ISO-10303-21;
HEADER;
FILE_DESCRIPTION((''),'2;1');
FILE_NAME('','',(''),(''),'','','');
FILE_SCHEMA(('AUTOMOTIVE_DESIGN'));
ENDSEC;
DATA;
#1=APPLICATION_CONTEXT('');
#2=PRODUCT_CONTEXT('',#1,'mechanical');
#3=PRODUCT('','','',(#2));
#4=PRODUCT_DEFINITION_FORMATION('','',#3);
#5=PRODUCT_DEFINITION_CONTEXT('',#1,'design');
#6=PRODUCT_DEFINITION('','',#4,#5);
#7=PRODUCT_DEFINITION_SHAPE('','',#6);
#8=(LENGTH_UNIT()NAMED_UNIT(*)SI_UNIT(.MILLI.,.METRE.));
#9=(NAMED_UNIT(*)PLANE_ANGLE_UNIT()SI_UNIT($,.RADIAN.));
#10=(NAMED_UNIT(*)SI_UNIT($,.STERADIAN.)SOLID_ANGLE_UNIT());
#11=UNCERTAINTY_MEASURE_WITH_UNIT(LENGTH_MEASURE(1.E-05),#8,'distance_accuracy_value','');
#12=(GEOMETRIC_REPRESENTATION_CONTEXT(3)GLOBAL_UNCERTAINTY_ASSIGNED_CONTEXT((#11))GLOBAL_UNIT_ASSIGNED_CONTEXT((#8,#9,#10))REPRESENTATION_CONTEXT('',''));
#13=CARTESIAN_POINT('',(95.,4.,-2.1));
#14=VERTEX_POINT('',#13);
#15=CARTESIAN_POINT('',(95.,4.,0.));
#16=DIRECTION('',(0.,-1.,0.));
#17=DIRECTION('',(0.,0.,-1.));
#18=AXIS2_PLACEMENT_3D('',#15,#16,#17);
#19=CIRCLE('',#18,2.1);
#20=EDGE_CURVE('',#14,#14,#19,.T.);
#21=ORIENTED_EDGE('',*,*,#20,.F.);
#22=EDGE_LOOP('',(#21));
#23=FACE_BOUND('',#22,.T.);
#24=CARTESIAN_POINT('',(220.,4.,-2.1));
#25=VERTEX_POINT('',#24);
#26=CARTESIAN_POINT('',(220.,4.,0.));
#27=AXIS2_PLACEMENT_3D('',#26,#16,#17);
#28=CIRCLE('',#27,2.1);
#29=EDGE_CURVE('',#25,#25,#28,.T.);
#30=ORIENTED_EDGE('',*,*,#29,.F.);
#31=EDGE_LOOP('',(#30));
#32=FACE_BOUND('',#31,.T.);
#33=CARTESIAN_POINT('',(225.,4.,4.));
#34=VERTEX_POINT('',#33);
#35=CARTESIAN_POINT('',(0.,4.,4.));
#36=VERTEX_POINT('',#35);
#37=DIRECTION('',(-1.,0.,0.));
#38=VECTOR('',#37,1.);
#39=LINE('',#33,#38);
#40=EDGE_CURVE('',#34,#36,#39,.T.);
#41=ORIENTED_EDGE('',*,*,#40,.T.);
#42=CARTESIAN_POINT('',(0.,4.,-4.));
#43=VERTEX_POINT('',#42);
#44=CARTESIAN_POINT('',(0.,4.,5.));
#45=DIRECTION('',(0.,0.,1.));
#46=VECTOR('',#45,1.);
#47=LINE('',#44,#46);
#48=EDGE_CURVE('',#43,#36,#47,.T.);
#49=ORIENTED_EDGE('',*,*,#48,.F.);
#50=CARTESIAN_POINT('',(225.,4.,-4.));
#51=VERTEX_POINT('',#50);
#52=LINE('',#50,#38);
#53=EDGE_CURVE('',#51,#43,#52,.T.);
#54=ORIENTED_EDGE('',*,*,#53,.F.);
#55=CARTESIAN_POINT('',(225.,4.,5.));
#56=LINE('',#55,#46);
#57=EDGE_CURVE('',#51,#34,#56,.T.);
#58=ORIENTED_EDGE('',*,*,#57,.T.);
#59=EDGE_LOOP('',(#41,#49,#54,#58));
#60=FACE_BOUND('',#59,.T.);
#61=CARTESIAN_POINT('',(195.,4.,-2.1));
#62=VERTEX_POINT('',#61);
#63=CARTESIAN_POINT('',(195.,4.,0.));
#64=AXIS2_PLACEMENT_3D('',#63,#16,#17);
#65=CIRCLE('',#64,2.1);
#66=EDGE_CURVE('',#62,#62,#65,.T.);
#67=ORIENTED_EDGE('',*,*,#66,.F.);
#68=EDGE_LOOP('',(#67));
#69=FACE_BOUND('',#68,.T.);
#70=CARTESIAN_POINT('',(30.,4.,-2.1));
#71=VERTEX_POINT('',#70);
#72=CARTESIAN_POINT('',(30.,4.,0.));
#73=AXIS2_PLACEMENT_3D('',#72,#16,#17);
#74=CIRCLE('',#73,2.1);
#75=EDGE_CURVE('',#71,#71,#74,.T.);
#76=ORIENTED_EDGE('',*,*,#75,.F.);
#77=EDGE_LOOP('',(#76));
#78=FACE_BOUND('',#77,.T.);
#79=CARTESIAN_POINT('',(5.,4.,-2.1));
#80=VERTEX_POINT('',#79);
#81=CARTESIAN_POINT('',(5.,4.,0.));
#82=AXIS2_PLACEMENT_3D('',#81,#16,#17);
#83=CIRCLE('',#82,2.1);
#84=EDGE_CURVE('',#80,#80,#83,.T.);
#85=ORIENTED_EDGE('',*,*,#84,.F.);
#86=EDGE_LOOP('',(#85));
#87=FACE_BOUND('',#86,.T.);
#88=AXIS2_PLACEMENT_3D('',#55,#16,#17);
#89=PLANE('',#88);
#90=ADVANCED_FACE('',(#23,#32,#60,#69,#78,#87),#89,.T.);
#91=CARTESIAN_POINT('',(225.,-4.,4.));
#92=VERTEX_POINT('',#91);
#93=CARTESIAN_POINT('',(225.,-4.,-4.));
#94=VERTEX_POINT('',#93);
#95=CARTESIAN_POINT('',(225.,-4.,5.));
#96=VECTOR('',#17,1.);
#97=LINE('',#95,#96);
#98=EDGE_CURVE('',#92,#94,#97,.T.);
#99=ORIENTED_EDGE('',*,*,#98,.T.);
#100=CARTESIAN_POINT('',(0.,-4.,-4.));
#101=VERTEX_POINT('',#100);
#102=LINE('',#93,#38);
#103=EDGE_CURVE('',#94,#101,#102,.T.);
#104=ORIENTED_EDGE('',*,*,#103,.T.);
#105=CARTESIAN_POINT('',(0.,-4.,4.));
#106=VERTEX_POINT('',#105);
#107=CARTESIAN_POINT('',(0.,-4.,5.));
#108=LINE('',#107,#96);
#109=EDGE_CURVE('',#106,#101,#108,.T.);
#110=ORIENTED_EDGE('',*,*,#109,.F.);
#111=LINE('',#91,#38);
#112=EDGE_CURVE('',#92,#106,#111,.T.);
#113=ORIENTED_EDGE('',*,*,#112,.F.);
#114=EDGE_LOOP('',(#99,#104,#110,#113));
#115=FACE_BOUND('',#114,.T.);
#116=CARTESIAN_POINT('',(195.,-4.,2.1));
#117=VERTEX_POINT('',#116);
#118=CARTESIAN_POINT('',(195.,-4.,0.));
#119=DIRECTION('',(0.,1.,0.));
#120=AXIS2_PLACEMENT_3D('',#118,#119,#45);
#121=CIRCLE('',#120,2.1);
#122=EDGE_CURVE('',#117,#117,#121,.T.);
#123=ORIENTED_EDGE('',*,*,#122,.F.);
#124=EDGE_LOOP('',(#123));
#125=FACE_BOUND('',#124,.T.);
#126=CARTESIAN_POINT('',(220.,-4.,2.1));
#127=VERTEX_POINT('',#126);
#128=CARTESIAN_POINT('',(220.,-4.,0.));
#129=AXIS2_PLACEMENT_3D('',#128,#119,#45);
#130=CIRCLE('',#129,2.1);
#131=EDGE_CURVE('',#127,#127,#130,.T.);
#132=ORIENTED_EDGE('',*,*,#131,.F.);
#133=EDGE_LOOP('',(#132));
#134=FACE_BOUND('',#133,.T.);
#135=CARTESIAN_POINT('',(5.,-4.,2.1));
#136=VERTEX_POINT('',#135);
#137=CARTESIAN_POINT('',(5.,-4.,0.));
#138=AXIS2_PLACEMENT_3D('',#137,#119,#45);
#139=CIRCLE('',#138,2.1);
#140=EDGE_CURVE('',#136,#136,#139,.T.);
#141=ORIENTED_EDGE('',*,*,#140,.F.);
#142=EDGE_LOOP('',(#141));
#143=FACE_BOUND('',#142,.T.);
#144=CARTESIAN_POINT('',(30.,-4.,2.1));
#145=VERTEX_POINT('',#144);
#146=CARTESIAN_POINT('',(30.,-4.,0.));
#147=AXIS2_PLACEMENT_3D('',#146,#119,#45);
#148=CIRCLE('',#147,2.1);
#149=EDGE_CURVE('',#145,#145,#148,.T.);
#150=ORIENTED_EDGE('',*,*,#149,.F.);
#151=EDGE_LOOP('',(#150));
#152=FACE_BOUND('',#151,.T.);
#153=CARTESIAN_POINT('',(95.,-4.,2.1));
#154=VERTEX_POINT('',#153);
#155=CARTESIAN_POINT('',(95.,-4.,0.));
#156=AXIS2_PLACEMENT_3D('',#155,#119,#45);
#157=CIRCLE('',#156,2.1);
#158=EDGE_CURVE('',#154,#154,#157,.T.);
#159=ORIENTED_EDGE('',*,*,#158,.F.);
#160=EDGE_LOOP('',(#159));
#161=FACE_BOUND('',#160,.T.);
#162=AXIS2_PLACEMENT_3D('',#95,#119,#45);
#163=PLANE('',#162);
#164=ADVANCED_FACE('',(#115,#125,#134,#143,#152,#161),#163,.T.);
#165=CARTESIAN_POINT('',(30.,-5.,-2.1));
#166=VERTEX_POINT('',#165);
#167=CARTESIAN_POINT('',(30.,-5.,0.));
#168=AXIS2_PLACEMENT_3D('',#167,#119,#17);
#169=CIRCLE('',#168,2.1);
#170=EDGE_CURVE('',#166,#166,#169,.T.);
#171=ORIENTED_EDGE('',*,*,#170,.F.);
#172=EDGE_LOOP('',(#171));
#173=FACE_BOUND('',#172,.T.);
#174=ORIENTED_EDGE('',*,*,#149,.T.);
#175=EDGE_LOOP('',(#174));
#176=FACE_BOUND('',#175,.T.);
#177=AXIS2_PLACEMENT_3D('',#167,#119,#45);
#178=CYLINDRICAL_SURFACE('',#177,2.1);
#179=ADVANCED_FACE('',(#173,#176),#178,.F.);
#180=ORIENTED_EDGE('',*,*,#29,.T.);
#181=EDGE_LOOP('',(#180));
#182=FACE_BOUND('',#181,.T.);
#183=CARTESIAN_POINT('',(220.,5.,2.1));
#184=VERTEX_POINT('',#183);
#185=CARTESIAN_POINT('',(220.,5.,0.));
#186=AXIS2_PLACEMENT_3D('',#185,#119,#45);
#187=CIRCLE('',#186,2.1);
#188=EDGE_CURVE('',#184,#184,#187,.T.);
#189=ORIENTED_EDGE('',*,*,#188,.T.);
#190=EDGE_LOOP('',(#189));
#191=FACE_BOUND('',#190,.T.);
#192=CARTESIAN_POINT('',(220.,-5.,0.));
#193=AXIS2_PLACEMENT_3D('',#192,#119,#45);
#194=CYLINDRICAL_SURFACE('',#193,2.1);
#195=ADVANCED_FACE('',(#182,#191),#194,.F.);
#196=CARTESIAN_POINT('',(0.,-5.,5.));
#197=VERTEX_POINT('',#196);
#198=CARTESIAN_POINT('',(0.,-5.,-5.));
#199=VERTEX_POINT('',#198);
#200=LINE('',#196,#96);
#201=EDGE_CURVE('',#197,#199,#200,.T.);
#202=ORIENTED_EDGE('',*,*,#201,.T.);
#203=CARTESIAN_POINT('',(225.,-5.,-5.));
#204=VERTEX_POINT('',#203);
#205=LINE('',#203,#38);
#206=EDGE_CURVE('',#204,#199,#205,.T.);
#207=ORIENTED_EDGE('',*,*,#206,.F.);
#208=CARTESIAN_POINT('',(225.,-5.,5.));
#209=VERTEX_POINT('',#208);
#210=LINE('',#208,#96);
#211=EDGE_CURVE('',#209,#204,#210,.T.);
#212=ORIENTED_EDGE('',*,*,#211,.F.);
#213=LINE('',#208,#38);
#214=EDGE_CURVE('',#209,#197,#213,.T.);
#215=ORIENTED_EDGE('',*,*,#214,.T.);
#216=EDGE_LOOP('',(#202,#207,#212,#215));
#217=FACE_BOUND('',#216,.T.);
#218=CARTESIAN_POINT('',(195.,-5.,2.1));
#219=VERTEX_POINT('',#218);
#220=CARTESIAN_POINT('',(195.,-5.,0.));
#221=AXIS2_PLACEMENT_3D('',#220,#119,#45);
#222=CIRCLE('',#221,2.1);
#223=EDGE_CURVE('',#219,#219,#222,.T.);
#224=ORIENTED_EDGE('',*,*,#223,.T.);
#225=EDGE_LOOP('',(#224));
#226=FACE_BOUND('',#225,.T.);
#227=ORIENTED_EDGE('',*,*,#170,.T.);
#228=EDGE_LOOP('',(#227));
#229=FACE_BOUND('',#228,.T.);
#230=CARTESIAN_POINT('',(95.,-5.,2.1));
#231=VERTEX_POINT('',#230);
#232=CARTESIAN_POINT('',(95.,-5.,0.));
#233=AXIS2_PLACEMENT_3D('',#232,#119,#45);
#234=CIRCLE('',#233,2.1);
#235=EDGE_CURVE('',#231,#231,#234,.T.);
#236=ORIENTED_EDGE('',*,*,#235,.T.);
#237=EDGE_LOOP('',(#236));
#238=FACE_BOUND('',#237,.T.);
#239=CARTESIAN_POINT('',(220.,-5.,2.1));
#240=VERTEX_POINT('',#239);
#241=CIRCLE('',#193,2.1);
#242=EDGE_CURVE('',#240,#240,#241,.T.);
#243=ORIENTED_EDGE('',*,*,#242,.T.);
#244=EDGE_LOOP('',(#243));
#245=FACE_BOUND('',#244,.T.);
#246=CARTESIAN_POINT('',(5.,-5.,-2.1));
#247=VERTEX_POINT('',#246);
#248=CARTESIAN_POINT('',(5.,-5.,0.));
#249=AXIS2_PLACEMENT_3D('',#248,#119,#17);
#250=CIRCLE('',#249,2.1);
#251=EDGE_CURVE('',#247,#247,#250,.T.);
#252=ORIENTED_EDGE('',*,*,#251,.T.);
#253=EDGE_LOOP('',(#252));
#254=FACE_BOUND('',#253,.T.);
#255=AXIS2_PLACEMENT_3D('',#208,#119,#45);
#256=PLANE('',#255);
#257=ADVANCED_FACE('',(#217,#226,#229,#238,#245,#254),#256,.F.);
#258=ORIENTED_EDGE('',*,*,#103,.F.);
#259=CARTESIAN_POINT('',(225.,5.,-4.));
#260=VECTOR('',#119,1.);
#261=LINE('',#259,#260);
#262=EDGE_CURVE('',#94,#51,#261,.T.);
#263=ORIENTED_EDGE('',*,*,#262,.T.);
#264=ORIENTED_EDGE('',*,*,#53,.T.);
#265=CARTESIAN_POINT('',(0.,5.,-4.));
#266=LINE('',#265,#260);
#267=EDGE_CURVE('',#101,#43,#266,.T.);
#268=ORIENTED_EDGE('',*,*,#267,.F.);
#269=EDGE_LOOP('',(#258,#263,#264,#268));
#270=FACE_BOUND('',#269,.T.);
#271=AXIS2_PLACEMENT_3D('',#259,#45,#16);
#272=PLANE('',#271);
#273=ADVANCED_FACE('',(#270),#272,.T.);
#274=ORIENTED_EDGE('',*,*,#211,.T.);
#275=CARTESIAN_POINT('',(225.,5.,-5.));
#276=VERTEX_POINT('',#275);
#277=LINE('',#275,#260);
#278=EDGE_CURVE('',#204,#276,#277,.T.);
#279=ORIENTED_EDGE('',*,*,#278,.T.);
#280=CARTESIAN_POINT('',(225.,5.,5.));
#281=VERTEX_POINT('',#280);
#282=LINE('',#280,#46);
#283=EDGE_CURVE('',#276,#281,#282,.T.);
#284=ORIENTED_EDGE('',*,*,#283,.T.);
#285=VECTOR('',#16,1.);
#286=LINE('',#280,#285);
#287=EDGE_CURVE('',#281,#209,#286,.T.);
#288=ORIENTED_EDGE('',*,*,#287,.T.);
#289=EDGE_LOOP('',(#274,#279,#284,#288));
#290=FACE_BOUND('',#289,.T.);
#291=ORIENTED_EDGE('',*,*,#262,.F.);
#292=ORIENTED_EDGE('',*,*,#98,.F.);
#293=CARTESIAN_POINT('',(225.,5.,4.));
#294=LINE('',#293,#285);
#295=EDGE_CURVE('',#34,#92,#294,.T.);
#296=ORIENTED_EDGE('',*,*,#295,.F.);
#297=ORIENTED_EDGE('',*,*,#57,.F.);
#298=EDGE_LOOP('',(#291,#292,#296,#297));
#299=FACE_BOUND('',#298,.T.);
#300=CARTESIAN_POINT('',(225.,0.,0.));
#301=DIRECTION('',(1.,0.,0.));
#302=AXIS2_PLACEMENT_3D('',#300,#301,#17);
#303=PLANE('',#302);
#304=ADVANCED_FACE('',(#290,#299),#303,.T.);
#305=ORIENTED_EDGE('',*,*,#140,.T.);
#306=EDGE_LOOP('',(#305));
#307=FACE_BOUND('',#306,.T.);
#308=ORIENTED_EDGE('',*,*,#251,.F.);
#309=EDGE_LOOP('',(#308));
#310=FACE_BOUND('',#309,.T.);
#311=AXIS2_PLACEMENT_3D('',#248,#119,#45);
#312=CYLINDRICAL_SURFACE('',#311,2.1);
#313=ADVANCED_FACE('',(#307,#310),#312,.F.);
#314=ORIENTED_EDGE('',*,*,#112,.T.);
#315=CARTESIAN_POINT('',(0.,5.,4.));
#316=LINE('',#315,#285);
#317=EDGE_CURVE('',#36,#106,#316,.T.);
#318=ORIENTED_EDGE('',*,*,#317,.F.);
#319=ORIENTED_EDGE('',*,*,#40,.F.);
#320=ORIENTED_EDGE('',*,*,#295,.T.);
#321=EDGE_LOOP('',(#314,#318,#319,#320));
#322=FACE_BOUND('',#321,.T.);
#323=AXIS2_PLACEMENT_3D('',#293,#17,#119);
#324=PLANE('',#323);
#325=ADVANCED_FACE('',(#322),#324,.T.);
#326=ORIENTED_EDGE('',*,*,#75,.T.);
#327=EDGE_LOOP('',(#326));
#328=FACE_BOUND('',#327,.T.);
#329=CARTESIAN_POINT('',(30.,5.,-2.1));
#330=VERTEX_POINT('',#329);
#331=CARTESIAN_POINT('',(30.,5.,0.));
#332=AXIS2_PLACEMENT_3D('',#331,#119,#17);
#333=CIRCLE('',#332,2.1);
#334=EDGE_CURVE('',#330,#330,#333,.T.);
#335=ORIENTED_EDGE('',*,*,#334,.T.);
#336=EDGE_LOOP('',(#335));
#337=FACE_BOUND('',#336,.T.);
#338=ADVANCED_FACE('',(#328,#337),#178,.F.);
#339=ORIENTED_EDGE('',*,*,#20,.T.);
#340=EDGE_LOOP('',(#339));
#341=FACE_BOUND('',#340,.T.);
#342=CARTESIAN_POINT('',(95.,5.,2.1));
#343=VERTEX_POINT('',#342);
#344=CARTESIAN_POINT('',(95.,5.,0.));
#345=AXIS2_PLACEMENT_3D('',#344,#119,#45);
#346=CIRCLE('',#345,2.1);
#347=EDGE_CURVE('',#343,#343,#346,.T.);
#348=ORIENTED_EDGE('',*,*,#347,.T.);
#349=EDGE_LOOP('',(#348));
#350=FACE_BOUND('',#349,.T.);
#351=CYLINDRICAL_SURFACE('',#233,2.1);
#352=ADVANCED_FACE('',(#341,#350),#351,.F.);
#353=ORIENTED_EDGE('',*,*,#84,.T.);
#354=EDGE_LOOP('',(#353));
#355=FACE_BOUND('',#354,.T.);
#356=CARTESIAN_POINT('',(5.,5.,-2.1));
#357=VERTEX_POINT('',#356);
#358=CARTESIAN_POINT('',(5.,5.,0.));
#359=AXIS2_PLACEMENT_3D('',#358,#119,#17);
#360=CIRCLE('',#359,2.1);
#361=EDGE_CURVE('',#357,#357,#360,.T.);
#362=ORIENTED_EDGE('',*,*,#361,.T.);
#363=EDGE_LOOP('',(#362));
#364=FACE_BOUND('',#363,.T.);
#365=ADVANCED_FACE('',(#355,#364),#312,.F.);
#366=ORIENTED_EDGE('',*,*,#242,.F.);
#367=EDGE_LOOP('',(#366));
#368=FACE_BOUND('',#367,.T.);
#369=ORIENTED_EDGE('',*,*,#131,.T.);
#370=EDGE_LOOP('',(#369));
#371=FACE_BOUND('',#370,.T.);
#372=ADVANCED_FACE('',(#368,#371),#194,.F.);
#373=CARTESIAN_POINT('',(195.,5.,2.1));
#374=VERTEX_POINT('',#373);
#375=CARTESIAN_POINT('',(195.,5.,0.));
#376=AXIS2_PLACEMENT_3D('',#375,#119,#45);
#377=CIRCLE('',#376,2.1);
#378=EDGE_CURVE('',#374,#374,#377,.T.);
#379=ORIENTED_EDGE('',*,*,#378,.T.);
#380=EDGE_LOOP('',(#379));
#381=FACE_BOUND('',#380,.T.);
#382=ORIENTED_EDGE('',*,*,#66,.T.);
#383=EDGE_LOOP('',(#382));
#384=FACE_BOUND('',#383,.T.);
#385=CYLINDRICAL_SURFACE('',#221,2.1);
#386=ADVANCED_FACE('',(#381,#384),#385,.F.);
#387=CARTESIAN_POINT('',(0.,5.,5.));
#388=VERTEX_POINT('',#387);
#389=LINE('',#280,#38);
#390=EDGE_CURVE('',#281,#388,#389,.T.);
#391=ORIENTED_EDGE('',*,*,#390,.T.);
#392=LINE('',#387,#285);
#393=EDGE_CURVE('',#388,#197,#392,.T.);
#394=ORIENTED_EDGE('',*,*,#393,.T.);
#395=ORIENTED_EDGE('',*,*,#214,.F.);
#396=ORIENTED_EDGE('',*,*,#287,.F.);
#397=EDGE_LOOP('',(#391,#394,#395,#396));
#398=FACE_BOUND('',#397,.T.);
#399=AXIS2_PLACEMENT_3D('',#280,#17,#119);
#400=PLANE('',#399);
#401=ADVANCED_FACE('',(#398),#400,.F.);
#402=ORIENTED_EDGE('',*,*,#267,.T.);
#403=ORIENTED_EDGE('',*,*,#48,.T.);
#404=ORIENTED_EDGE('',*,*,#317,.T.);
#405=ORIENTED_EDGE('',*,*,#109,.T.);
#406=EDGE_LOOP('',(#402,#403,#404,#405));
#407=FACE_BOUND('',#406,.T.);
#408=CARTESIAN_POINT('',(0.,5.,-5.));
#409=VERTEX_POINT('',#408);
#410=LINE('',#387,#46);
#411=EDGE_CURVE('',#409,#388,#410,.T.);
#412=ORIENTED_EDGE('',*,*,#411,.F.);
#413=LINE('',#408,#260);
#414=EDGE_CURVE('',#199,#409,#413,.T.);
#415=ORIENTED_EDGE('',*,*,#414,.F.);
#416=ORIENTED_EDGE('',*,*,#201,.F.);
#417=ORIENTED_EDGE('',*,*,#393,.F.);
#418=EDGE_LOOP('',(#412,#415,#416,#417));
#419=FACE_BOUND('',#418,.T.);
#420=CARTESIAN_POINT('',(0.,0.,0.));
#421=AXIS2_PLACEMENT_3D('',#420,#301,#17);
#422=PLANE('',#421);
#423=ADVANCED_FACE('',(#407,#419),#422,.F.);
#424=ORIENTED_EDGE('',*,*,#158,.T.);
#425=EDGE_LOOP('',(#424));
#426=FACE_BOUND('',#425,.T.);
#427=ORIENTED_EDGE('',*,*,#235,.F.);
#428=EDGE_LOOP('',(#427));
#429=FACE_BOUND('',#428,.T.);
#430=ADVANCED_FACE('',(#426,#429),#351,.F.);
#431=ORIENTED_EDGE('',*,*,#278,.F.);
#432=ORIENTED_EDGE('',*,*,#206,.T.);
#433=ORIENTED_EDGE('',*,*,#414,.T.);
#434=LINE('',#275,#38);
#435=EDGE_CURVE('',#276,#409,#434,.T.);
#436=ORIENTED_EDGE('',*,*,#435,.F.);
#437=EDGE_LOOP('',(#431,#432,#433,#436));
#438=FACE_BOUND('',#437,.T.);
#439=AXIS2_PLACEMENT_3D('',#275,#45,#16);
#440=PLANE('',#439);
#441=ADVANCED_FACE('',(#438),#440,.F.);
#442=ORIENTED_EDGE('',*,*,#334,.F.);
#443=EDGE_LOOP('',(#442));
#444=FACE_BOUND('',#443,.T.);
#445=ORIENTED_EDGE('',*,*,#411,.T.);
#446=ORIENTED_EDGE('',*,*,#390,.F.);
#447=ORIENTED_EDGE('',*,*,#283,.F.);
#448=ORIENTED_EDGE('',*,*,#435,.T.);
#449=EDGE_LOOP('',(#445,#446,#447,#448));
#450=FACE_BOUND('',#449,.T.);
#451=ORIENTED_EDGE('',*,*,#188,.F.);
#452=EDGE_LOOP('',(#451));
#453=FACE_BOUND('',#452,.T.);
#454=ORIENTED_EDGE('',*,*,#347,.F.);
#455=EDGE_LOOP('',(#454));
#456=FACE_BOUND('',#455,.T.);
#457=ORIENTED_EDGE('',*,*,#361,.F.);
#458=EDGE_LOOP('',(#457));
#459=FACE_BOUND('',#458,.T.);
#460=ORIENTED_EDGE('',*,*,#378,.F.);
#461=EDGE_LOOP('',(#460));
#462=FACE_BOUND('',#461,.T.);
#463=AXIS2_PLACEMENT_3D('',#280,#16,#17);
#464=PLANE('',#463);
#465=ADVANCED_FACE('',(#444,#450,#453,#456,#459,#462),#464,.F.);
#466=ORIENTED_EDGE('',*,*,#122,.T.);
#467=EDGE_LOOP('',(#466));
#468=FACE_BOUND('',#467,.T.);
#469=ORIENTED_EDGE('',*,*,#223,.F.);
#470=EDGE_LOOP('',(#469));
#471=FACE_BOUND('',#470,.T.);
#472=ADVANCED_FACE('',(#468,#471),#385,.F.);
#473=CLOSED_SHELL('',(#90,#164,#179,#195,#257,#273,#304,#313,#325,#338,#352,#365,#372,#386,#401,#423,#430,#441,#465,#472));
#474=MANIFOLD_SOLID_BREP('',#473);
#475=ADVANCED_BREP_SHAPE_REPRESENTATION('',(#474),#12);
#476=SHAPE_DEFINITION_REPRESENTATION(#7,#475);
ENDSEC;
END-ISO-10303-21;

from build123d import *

# Parameters (mm, degrees)
SKETCH_1_W          = 10
SKETCH_1_H          = 10
SKETCH_1_W_2        = 8
SKETCH_1_H_2        = 8
EXTRUDE_1_DEPTH     = 225
SKETCH_2_R          = 2.1
CUT_EXTRUDE_1_DEPTH = 226.277606521
SKETCH_3_R          = 2.1
CUT_EXTRUDE_2_DEPTH = 226.277606521


with BuildPart() as part:
    # ｽｹｯﾁ1 → 押し出し-薄板1 (new body)
    with BuildSketch(Plane(origin=(0, 0, 0), x_dir=(0, 0, -1), z_dir=(1, 0, 0))):
        Rectangle(SKETCH_1_W, SKETCH_1_H)
        Rectangle(SKETCH_1_W_2, SKETCH_1_H_2, mode=Mode.SUBTRACT)
    extrude(amount=EXTRUDE_1_DEPTH)

    # ｽｹｯﾁ2 → ｶｯﾄ - 押し出し1 (cut, through all)
    with BuildSketch(Plane(origin=(0, 5, 0), x_dir=(1, 0, 0), z_dir=(0, 1, 0))):
        with Locations(Location((195, 0, 0), (0, 0, 270))):
            Circle(SKETCH_2_R)
        with Locations(Location((220, 0, 0), (0, 0, 270))):
            Circle(SKETCH_2_R)
        with Locations(Location((5, 0, 0), (0, 0, 270))):
            Circle(SKETCH_2_R)
        with Locations(Location((30, 0, 0), (0, 0, 270))):
            Circle(SKETCH_2_R)
    extrude(amount=-CUT_EXTRUDE_1_DEPTH, mode=Mode.SUBTRACT)

    # ｽｹｯﾁ3 → ｶｯﾄ - 押し出し2 (cut, through all)
    with BuildSketch(Plane(origin=(0, 5, 0), x_dir=(1, 0, 0), z_dir=(0, 1, 0))):
        with Locations(Location((95, 0, 0), (0, 0, 270))):
            Circle(SKETCH_3_R)
    extrude(amount=-CUT_EXTRUDE_2_DEPTH, mode=Mode.SUBTRACT)


solid = part.part
